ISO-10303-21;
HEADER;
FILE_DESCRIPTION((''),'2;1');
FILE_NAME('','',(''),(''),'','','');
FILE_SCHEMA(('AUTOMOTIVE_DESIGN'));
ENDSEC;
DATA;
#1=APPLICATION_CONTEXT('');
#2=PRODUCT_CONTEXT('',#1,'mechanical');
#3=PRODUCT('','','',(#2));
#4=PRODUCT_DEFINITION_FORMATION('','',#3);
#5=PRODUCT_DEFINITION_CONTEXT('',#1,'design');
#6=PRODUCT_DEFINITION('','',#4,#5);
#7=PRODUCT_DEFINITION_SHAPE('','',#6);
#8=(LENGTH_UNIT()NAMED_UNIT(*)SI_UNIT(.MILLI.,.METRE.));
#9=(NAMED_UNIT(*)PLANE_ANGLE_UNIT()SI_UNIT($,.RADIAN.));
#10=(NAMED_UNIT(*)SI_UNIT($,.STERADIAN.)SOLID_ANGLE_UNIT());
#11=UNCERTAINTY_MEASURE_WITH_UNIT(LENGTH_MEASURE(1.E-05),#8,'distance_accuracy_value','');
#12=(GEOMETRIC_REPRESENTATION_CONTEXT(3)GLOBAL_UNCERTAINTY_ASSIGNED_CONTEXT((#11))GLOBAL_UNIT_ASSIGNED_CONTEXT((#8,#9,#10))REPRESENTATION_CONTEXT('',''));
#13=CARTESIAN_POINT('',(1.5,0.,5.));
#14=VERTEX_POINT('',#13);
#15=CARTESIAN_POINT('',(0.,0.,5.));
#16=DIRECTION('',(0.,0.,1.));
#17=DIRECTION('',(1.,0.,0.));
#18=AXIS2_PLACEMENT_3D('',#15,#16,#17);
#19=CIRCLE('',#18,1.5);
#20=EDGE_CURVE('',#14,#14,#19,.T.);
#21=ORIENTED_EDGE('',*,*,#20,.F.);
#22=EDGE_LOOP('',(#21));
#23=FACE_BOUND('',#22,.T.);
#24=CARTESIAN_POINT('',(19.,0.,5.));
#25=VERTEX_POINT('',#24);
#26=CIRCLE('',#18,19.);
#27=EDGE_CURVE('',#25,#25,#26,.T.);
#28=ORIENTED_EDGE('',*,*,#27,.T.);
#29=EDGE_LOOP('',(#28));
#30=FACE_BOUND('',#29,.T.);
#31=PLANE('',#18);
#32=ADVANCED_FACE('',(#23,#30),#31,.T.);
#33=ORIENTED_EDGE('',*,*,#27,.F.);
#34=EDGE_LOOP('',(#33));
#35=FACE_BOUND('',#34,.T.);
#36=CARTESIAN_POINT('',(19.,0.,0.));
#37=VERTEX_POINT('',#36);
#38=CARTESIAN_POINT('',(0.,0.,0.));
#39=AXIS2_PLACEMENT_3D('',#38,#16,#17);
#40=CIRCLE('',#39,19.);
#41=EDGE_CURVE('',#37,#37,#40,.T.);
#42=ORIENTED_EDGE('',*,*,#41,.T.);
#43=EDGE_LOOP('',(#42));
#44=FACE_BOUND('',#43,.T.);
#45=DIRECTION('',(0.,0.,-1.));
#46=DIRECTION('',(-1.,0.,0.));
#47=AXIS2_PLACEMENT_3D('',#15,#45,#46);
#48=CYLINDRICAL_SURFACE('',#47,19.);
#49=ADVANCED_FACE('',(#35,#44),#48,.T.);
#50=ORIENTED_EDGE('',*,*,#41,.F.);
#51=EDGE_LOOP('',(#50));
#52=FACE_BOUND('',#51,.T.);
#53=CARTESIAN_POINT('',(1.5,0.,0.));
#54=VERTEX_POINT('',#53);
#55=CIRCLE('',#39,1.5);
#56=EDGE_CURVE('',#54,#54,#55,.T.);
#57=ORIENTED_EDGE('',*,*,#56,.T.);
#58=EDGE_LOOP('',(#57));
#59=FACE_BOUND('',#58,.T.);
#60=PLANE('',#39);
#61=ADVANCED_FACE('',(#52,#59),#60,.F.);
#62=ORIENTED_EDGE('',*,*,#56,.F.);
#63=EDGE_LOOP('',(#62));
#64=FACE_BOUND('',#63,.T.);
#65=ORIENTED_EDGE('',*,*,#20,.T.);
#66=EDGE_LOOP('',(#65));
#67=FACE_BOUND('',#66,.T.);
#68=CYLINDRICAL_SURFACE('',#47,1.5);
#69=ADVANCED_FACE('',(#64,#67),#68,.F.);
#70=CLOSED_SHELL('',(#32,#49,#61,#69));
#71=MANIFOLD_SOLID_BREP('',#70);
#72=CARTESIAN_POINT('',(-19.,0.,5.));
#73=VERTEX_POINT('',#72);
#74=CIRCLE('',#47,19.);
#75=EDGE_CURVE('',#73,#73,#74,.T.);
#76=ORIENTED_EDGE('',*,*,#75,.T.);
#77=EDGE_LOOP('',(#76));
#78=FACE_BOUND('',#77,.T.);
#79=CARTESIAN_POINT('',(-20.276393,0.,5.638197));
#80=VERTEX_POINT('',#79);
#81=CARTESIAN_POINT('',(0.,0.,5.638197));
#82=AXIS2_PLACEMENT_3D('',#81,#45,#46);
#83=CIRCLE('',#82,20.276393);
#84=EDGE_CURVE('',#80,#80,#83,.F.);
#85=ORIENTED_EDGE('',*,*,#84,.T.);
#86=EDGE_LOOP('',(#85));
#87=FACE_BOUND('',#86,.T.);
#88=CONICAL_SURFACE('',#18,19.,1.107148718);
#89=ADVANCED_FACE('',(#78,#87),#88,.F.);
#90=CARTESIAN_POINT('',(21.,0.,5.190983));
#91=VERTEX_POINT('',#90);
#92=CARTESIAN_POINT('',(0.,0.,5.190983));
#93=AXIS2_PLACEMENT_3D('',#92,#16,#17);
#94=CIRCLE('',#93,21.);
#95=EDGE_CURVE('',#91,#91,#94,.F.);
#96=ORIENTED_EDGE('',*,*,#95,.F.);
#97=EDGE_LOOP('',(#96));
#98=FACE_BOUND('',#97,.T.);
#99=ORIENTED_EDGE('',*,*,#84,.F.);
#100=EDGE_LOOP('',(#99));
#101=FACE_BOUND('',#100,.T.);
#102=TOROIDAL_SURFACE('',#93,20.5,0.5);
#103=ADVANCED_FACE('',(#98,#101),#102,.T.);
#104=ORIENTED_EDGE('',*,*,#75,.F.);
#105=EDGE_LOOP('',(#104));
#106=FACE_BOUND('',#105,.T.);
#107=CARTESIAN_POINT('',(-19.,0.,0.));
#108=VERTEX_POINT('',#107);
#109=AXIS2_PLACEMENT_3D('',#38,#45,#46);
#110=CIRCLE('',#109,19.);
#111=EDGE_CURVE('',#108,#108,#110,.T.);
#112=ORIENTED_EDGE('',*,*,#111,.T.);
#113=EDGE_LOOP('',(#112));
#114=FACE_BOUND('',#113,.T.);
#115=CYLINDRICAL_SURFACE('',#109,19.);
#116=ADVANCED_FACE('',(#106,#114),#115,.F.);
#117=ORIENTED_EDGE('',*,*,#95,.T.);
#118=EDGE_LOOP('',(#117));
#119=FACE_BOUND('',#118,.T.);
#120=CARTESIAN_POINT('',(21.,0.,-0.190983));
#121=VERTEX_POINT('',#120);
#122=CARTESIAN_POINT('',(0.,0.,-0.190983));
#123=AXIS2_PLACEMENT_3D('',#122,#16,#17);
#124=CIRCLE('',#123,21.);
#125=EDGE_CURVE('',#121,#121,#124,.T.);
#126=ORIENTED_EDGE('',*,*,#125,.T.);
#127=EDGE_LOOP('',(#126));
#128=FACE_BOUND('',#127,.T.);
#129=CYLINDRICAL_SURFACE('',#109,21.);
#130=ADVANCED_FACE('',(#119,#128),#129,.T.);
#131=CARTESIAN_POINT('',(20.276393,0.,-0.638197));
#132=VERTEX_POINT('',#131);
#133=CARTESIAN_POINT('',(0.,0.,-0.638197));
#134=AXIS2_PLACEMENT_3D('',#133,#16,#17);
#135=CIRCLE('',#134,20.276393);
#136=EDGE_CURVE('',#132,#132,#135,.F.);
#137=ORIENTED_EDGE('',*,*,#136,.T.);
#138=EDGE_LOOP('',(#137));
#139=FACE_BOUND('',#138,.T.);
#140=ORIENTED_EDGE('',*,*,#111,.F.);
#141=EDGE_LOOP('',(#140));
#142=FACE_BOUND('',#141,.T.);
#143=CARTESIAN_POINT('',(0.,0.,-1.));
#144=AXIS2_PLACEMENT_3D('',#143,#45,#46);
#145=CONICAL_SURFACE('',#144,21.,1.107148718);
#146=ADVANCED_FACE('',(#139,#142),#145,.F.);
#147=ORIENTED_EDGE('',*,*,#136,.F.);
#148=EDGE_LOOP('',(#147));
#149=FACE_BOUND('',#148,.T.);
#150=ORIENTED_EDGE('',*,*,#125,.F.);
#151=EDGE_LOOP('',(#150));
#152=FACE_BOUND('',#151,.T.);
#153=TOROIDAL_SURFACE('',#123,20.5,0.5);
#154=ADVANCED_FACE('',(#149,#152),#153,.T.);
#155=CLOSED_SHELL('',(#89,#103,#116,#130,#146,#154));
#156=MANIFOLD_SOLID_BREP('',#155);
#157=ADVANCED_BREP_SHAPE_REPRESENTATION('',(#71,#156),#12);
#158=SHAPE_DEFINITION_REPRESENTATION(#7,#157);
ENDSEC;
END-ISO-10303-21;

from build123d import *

# Parameters (mm, degrees)
SKETCH1_R           = 19
SKETCH1_R_2         = 1.5
BOSS_EXTRUDE1_DEPTH = 5
FILLET1_R           = 0.5


with BuildPart() as part:
    # Sketch1 → Boss-Extrude1 (new body)
    with BuildSketch(Plane.XY):
        Circle(SKETCH1_R)
        Circle(SKETCH1_R_2, mode=Mode.SUBTRACT)
    extrude(amount=BOSS_EXTRUDE1_DEPTH)


with BuildPart() as body_2:
    # Sketch2 → Revolve2 (revolve)
    with BuildSketch(Plane(origin=(0, 0, 0), x_dir=(1, 0, 0), z_dir=(0, 1, 0)), mode=Mode.PRIVATE) as revolve2_sk:
        Polygon((21, -6), (21, 1), (19, 0), (19, -5), align=None)
    revolve(revolve2_sk.sketch.rotate(Axis((0, 0, 0), (0, 0, 1)), 180), axis=Axis((0, 0, 0), (0, 0, 1)))

    # Fillet1
    fillet1_edges = [body_2.edges().sort_by_distance(p)[0] for p in [
        (21, 0, -1),
        (21, 0, 6),
    ]]
    fillet(fillet1_edges, radius=FILLET1_R)


solid = Compound([part.part, body_2.part])
